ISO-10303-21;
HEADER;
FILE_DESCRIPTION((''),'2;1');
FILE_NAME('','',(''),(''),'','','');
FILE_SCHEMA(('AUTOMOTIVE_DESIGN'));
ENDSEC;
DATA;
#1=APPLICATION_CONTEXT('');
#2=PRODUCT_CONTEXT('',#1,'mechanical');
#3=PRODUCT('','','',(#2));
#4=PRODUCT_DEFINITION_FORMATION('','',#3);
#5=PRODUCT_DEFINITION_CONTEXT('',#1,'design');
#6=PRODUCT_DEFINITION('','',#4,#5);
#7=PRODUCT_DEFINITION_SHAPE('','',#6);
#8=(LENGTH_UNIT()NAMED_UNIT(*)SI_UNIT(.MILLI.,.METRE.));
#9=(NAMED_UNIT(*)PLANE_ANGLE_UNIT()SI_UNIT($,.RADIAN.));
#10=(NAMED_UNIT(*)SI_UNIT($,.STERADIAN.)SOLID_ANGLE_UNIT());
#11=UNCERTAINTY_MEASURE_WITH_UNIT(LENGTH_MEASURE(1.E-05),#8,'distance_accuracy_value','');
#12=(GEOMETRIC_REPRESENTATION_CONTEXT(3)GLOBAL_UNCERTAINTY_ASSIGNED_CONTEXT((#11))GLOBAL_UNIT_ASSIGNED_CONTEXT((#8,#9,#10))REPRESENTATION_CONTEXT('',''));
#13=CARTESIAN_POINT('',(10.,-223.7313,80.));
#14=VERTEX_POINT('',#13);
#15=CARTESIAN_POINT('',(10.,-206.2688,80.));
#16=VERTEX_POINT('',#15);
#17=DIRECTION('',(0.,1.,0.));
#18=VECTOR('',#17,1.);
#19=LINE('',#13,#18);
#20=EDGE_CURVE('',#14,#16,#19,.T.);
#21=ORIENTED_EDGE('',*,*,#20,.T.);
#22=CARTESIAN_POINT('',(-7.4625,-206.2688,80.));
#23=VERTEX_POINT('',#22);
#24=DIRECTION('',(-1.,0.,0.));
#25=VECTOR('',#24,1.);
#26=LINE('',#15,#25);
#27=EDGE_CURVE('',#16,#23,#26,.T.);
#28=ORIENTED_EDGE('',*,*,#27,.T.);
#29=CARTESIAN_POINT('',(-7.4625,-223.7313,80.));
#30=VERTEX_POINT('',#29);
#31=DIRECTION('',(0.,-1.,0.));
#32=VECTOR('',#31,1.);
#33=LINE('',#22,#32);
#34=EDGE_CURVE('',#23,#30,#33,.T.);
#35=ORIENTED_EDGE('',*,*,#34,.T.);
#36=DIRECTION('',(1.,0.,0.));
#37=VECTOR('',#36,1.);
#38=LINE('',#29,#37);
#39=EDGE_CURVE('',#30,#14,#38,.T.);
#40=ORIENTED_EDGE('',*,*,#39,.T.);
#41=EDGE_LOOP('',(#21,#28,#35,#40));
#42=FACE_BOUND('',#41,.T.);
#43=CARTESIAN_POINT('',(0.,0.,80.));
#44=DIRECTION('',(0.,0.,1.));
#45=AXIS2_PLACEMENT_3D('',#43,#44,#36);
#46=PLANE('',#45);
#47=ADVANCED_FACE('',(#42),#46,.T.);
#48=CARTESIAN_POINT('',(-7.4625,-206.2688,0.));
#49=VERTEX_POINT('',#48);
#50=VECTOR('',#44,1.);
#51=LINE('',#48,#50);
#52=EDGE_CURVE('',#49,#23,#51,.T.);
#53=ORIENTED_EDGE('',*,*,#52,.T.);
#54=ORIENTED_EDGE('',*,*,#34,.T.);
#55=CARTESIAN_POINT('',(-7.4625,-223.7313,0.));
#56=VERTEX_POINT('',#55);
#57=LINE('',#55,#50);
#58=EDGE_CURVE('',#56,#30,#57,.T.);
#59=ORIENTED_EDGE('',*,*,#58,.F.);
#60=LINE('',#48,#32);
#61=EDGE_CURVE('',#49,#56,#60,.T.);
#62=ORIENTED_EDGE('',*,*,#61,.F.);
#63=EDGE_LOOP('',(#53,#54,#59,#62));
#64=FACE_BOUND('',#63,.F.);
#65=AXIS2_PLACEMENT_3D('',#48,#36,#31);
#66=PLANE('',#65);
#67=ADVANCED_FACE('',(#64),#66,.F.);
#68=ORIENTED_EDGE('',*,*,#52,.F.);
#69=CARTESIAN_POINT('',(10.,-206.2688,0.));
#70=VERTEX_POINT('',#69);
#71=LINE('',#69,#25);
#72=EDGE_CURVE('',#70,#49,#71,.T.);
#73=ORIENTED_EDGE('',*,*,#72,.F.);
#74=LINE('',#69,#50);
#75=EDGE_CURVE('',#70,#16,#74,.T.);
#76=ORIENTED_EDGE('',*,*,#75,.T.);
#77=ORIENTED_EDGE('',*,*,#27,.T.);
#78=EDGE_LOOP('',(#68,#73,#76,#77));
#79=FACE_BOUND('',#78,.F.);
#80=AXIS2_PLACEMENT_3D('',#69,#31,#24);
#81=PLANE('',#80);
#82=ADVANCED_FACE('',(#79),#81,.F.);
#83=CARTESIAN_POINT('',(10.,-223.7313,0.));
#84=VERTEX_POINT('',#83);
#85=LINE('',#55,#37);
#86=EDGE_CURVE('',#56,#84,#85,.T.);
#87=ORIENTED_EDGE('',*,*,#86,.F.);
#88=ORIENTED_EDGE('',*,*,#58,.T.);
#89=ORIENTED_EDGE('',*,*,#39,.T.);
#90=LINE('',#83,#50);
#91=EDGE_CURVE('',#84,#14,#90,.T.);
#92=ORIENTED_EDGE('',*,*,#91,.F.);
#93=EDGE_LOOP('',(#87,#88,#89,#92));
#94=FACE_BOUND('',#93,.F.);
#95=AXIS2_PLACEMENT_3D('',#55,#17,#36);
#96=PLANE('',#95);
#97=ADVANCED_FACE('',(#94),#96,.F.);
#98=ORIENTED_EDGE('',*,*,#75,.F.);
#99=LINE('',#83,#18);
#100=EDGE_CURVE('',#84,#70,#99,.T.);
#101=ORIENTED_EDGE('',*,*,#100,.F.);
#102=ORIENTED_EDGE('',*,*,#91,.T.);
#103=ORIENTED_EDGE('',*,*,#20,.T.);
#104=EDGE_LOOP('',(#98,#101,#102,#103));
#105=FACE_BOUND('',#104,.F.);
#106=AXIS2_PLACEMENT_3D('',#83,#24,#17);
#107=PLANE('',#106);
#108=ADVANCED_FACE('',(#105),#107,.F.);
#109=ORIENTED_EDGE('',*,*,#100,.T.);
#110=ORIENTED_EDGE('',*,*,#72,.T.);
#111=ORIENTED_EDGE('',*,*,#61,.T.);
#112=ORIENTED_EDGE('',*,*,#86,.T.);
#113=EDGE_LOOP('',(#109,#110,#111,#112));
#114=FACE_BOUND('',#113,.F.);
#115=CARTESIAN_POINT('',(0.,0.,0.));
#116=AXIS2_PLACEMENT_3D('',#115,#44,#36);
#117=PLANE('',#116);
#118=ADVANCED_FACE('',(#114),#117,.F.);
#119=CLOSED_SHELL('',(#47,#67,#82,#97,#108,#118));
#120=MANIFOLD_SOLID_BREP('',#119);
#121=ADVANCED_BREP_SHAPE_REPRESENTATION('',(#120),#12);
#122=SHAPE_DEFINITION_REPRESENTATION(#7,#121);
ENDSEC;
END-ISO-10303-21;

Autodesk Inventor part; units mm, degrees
ref_plane "YZ Plane" through (0, 0, 0) normal (1, 0, 0) x (0, 1, 0)
ref_plane "XZ Plane" through (0, 0, 0) normal (0, 1, 0) x (-1, 0, 0)
ref_plane "XY Plane" through (0, 0, 0) normal (0, 0, 1) x (1, 0, 0)
ref_plane "Work Plane1" through (0, 0, 0) normal (0, 0, 1) x (1, 0, 0)
sketch "Sketch1" plane through (0, 0, 0) normal (0, 0, 1) x (1, 0, 0)
  line L0 (10, -206.2688) -> (-7.4625, -206.2688)
  line L1 (-7.4625, -206.2688) -> (-7.4625, -223.7313)
  line L2 (-7.4625, -223.7313) -> (10, -223.7313)
  line L3 (10, -223.7313) -> (10, -206.2688)
  line L4 (10, -206.2688) -> (-7.4625, -223.7313) construction
  line L5 (-7.4625, -206.2688) -> (10, -223.7313) construction
  circle A0 centre (292.5375, -215) radius 7.9375 construction
  line L6 (10, -195.95) -> (10, -234.05) construction
  line L7 (10, -234.05) -> (320, -234.05) construction
  line L8 (320, -195.95) -> (320, -234.05) construction
  line L9 (10, -195.95) -> (320, -195.95) construction
  line L10 (-7.4625, -350) -> (10, -350) construction
  point P0 (0, 0)
  point P1 (10, -215)
extrude "Extrusion1" add sketch "Sketch1" along normal blind 80
sketch "Sketch2" plane through (-7.4625, -206.2688, 0) normal (0, 1, 0) x (1, 0, 0)
  line L0 (17.4625, -80) -> (0, -80) projected
  line L1 (17.4625, 0) -> (0, 0) projected
  point P0 (7.4625, 0)
  dimension "d2" = 80
properties part number "BaseSmall" material "Wood (Walnut)"
